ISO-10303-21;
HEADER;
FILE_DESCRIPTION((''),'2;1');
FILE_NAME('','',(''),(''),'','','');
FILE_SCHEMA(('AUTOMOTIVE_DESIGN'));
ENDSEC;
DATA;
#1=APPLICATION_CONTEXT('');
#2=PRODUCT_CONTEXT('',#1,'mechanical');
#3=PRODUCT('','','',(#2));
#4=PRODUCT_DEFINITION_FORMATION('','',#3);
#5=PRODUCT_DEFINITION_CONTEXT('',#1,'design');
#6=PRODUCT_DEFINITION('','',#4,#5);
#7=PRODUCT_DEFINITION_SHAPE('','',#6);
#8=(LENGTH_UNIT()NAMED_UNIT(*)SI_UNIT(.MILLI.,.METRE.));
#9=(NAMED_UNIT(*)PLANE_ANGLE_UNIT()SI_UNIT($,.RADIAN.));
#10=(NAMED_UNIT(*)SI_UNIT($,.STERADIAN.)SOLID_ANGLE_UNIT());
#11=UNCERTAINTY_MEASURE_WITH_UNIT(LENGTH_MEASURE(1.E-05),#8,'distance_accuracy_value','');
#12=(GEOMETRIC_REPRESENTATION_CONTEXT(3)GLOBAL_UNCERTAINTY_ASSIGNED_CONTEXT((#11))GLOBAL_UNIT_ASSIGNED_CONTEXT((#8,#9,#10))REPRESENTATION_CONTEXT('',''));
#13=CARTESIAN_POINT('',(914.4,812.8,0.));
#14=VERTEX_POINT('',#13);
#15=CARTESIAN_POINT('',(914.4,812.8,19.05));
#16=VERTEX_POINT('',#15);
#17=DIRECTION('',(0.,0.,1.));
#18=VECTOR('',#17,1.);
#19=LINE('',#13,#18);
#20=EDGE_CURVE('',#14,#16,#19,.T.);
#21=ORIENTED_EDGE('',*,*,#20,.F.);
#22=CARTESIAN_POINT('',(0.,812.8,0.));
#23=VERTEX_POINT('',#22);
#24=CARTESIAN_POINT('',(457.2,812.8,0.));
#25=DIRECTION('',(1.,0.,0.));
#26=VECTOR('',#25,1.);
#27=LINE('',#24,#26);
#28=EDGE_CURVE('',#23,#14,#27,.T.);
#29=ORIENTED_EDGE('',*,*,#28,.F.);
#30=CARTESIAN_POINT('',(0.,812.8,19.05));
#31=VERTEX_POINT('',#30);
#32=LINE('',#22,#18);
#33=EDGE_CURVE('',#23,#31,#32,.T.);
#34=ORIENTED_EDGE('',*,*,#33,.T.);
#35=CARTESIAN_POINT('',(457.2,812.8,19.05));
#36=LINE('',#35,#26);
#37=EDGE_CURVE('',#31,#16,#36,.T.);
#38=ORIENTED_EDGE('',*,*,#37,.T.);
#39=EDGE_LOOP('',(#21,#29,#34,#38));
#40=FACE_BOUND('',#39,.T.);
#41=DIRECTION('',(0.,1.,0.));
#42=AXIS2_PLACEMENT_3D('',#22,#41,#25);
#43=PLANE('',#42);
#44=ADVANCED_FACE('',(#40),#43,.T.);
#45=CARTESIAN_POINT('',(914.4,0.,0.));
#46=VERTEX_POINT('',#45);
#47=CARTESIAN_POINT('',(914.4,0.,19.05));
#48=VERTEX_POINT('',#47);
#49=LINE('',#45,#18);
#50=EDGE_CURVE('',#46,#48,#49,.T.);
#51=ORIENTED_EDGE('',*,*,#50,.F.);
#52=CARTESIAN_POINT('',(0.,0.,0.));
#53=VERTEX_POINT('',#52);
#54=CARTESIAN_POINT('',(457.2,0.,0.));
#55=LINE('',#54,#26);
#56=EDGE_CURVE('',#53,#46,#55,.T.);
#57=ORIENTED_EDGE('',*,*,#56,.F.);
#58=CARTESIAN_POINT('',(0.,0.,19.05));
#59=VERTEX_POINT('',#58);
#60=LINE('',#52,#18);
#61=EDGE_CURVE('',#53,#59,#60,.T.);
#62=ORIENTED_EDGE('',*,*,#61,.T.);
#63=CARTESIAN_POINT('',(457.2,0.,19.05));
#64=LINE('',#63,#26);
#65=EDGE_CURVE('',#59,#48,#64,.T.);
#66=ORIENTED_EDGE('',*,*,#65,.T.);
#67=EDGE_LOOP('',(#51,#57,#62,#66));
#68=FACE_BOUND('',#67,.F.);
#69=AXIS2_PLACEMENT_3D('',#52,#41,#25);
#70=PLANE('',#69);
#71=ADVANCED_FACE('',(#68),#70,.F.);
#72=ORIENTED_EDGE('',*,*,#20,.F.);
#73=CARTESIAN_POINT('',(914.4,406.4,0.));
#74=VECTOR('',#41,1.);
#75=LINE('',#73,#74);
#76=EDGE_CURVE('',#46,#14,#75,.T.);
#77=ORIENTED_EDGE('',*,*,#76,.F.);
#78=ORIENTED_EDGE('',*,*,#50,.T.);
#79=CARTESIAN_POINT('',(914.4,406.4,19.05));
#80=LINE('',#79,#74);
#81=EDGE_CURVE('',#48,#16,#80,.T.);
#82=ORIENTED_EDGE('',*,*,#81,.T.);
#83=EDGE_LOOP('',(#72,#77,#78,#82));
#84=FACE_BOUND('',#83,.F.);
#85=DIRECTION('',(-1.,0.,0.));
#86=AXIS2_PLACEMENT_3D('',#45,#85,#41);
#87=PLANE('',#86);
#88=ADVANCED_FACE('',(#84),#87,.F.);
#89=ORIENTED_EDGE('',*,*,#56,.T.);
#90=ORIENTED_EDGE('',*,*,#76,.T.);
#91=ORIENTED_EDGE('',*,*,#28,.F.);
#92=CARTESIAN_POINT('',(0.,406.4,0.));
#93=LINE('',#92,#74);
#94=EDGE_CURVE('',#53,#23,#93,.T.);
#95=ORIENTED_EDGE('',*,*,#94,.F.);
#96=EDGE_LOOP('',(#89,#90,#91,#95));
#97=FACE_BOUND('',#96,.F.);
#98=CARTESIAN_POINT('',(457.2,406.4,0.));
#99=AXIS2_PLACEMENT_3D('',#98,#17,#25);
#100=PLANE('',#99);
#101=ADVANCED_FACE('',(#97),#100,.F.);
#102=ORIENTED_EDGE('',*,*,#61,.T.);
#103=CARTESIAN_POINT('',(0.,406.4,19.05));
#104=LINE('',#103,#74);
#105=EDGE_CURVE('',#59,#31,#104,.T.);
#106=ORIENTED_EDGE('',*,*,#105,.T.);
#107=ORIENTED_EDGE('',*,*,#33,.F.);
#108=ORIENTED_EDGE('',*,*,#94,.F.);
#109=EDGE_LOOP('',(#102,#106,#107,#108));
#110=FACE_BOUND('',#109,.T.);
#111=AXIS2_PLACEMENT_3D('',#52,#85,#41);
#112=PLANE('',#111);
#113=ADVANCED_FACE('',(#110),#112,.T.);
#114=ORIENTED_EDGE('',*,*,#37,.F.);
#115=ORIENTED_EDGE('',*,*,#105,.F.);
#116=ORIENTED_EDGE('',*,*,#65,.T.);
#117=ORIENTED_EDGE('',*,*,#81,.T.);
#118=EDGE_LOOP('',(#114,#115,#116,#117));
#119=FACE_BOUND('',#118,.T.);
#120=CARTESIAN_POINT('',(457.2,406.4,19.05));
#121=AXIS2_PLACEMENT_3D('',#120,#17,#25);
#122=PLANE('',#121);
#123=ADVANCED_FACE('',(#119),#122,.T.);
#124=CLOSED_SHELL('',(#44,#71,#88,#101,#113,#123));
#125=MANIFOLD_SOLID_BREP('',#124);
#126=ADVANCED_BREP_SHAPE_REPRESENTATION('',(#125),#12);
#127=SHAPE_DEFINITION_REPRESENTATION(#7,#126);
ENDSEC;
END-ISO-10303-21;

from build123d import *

# Parameters (mm, degrees)
SKETCH001_W      = 914.4
SKETCH001_H      = 812.8
EXTRUDE001_DEPTH = 19.05


with BuildPart() as part:
    # Sketch001 → Extrude001 (new body)
    with BuildSketch(Plane.XY):
        with Locations((457.2, 406.4)):
            Rectangle(SKETCH001_W, SKETCH001_H)
    extrude(amount=EXTRUDE001_DEPTH)


solid = part.part
